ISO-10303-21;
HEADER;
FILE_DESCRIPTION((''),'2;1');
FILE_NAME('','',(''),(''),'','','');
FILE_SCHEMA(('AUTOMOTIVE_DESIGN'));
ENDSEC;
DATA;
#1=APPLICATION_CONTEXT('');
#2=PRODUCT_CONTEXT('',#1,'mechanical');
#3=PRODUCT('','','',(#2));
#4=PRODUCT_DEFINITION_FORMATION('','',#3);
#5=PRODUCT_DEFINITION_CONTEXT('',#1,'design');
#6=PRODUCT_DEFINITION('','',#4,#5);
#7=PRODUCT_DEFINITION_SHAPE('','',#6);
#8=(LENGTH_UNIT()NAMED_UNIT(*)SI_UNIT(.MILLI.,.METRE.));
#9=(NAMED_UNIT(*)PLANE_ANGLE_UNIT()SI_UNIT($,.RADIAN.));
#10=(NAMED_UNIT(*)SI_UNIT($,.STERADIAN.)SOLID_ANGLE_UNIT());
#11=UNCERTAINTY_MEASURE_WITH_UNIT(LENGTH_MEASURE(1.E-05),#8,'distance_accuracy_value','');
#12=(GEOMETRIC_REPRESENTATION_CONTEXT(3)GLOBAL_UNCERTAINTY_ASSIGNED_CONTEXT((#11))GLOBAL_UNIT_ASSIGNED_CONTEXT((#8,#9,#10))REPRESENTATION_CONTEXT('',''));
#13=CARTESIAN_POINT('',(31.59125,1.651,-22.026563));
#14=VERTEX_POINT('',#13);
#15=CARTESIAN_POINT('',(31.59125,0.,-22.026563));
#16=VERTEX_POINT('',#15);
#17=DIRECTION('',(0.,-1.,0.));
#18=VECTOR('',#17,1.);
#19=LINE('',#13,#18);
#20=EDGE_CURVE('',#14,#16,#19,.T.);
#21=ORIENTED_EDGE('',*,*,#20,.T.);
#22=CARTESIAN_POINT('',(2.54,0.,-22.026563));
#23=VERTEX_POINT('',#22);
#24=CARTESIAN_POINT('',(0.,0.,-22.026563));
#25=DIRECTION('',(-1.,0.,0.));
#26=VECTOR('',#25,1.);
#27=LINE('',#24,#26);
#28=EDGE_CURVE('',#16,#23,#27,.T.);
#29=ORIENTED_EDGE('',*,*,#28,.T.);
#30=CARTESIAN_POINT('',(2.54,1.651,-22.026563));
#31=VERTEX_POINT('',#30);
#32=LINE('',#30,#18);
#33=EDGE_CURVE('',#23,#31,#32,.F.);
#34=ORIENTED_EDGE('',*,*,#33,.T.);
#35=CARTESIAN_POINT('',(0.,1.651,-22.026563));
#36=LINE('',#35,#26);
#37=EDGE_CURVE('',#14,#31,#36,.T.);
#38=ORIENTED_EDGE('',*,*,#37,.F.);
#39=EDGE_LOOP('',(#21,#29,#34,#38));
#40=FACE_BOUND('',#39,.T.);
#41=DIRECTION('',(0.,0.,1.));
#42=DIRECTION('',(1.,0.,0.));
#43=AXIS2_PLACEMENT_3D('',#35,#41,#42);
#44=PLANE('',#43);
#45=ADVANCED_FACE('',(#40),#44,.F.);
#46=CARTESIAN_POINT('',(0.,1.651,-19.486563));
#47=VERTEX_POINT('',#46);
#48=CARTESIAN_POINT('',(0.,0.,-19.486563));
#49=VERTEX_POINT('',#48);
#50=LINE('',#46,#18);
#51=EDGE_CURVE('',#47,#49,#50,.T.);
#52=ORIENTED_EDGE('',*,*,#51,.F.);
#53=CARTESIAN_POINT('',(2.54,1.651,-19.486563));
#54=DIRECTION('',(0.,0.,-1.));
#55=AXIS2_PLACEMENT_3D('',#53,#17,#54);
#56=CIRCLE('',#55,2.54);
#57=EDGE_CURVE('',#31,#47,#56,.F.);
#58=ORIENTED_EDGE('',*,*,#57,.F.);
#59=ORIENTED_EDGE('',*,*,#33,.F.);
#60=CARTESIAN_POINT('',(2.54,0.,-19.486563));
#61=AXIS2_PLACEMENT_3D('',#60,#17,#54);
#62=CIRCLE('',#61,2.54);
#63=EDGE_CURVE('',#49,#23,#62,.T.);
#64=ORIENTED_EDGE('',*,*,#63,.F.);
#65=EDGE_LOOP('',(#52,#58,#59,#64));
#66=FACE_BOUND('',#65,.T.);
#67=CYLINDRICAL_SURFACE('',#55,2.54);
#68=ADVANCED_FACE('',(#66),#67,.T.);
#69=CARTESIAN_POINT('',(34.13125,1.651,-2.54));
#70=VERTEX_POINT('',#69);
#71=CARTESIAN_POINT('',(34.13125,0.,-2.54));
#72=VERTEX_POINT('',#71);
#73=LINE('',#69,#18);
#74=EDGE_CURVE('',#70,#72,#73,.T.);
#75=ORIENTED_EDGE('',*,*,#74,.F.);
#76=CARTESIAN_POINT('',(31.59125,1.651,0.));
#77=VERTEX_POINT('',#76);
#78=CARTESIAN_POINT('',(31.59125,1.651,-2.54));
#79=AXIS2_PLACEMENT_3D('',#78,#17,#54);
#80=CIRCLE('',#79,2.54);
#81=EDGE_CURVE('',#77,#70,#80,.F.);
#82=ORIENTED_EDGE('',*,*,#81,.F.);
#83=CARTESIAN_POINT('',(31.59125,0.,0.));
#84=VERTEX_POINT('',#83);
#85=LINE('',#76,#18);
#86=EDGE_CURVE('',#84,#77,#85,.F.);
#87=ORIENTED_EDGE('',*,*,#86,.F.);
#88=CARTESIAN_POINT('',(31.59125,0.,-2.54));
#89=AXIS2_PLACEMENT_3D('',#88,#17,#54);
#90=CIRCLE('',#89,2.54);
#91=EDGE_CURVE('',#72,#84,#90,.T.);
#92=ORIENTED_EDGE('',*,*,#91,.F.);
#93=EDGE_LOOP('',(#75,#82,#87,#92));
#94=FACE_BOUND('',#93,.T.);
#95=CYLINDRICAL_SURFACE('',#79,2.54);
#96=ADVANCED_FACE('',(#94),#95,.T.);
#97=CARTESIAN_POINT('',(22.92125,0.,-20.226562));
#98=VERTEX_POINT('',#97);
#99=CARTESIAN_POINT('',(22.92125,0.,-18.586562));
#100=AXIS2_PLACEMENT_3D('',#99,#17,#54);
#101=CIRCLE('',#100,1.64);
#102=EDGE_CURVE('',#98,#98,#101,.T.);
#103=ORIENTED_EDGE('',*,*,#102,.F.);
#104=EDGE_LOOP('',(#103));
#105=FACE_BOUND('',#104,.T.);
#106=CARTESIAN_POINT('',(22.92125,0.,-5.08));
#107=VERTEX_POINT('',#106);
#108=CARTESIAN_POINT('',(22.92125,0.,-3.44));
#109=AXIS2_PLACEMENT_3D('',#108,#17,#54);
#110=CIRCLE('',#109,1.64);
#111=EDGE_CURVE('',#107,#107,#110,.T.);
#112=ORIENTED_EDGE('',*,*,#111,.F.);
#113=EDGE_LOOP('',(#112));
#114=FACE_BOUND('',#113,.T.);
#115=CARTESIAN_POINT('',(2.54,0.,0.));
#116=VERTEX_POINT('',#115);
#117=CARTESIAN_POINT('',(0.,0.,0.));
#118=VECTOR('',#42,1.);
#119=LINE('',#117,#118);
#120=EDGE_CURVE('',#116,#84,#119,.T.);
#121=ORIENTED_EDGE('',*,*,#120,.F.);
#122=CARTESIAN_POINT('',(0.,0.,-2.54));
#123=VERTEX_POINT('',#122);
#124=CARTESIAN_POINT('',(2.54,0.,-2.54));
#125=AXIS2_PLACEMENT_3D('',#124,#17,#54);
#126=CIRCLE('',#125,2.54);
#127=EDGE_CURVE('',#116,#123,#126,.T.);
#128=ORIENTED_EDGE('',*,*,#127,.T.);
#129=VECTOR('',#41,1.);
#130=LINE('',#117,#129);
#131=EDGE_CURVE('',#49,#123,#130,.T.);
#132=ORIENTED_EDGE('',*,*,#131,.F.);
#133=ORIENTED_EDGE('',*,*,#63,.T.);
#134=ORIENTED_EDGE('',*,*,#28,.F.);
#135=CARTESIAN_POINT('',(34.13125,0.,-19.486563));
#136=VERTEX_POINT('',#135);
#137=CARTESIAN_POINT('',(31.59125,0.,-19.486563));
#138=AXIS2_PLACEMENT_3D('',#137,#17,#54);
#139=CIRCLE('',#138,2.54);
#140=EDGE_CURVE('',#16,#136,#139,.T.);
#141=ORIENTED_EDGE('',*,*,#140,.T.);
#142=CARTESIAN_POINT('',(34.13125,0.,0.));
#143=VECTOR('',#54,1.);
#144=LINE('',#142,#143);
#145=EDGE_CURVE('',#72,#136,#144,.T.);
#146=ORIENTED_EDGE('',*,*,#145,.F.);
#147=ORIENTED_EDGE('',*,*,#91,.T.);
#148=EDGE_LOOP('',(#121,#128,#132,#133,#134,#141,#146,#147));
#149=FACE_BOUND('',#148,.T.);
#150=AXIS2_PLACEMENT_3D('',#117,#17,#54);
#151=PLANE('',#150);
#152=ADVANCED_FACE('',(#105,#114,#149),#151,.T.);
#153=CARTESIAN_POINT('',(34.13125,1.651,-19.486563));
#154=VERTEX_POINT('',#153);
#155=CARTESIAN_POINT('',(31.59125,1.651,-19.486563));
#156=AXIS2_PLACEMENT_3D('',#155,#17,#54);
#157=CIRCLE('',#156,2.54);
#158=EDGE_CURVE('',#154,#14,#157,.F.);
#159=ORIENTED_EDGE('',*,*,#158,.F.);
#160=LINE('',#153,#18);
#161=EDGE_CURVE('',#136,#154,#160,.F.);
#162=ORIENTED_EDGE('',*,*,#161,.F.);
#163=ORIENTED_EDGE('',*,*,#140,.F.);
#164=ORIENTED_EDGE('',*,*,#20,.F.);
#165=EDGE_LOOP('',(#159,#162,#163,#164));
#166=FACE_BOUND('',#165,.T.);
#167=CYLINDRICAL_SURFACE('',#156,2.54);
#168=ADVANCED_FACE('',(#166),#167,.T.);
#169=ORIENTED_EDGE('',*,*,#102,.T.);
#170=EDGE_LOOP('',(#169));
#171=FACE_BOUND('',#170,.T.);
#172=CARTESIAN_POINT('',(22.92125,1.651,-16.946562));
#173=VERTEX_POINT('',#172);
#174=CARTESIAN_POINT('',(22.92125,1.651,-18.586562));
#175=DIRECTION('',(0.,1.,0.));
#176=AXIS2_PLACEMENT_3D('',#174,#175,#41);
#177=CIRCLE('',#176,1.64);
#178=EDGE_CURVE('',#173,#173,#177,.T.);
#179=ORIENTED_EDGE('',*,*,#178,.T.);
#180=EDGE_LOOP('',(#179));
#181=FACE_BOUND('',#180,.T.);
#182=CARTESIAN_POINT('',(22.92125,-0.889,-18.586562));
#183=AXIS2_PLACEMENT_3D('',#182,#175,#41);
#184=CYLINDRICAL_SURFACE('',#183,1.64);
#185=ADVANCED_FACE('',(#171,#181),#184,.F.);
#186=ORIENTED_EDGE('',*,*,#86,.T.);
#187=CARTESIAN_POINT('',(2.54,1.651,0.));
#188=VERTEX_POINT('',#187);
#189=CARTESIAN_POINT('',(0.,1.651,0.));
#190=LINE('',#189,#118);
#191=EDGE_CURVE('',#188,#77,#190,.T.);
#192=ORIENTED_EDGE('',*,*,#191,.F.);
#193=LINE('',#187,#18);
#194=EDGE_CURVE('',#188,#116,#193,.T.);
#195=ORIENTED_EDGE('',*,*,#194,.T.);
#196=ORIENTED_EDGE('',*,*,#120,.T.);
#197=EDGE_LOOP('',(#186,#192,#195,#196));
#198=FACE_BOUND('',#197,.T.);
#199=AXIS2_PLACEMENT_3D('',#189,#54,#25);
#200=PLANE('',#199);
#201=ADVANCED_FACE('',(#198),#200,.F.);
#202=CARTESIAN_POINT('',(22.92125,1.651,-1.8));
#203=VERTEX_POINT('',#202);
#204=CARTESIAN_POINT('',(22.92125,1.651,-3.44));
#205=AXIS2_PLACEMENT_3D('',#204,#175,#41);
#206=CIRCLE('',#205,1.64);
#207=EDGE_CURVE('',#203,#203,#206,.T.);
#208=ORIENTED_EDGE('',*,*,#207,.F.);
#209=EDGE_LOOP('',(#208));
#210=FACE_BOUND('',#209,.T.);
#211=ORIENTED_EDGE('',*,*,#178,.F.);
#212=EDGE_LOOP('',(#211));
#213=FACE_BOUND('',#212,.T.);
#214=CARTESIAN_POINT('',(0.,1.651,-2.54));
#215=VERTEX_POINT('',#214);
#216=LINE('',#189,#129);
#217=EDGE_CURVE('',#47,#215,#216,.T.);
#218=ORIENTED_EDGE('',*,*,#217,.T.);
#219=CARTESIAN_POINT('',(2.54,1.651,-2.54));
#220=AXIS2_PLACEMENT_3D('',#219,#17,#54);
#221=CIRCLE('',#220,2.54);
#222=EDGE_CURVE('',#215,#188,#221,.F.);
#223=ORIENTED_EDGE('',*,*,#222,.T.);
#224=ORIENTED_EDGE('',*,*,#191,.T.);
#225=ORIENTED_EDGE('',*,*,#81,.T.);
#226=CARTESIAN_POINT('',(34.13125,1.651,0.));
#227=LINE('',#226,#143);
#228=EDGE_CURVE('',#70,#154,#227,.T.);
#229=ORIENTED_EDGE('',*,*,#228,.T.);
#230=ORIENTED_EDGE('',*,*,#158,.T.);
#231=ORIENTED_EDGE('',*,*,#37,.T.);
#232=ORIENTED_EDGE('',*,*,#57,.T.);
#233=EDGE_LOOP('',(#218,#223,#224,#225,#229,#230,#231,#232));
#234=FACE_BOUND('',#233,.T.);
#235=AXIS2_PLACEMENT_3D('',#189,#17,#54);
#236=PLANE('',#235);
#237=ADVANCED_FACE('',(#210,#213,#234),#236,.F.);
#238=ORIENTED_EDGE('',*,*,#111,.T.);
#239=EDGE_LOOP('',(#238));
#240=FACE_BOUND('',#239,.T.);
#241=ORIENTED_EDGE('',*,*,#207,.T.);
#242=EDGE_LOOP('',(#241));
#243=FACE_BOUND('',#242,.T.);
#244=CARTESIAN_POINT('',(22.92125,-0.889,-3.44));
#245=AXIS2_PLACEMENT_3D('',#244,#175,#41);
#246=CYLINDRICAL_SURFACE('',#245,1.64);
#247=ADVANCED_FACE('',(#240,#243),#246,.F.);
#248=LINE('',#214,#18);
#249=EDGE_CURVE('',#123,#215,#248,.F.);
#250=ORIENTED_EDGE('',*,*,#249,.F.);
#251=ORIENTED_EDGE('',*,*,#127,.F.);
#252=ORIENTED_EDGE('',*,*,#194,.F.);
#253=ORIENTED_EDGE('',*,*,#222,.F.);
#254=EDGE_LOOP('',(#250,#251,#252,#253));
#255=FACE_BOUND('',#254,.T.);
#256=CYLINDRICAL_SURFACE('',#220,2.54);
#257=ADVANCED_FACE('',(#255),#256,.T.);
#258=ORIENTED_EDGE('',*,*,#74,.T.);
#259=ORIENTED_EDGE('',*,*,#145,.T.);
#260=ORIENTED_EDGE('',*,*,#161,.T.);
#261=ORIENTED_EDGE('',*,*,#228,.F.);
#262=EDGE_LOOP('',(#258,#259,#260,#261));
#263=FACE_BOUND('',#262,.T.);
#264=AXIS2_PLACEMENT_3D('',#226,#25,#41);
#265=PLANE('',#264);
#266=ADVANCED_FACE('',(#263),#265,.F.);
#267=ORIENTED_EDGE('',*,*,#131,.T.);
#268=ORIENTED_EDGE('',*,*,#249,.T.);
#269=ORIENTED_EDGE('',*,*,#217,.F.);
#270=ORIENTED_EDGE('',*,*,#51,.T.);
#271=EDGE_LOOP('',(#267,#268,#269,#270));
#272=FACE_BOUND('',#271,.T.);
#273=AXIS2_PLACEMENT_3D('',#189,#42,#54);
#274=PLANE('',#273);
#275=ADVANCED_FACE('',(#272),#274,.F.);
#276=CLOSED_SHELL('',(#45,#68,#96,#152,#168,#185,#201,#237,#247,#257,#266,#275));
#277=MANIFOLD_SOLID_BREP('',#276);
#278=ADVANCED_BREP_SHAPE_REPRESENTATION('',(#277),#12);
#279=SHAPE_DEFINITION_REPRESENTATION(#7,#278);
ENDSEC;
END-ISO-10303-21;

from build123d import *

# Parameters (mm, degrees)
SKETCH1_W           = 34.13125
SKETCH1_H           = 22.0265625
BOSS_EXTRUDE1_DEPTH = 1.651
FILLET1_R           = 2.54
SKETCH2_R           = 1.64
CUT_EXTRUDE1_DEPTH  = 2.54


with BuildPart() as part:
    # Sketch1 → Boss-Extrude1 (new body)
    with BuildSketch(Plane(origin=(0, 0, 0), x_dir=(1, 0, 0), z_dir=(0, 1, 0))):
        with Locations((17.065625, 11.01328125)):
            Rectangle(SKETCH1_W, SKETCH1_H)
    extrude(amount=BOSS_EXTRUDE1_DEPTH)

    # Fillet1
    fillet1_edges = [part.edges().sort_by_distance(p)[0] for p in [
        (0, 0.8255, 0),
        (0, 0.8255, -22.0265625),
        (34.13125, 0.8255, -22.0265625),
        (34.13125, 0.8255, 0),
    ]]
    fillet(fillet1_edges, radius=FILLET1_R)

    # Sketch2 → Cut-Extrude1 (cut)
    with BuildSketch(Plane(origin=(0, 1.651, 0), x_dir=(1, 0, 0), z_dir=(0, 1, 0))):
        with Locations((22.92125, 18.5865625)):
            Circle(SKETCH2_R)
        with Locations((22.92125, 3.44)):
            Circle(SKETCH2_R)
    extrude(amount=-CUT_EXTRUDE1_DEPTH, mode=Mode.SUBTRACT)


solid = part.part
